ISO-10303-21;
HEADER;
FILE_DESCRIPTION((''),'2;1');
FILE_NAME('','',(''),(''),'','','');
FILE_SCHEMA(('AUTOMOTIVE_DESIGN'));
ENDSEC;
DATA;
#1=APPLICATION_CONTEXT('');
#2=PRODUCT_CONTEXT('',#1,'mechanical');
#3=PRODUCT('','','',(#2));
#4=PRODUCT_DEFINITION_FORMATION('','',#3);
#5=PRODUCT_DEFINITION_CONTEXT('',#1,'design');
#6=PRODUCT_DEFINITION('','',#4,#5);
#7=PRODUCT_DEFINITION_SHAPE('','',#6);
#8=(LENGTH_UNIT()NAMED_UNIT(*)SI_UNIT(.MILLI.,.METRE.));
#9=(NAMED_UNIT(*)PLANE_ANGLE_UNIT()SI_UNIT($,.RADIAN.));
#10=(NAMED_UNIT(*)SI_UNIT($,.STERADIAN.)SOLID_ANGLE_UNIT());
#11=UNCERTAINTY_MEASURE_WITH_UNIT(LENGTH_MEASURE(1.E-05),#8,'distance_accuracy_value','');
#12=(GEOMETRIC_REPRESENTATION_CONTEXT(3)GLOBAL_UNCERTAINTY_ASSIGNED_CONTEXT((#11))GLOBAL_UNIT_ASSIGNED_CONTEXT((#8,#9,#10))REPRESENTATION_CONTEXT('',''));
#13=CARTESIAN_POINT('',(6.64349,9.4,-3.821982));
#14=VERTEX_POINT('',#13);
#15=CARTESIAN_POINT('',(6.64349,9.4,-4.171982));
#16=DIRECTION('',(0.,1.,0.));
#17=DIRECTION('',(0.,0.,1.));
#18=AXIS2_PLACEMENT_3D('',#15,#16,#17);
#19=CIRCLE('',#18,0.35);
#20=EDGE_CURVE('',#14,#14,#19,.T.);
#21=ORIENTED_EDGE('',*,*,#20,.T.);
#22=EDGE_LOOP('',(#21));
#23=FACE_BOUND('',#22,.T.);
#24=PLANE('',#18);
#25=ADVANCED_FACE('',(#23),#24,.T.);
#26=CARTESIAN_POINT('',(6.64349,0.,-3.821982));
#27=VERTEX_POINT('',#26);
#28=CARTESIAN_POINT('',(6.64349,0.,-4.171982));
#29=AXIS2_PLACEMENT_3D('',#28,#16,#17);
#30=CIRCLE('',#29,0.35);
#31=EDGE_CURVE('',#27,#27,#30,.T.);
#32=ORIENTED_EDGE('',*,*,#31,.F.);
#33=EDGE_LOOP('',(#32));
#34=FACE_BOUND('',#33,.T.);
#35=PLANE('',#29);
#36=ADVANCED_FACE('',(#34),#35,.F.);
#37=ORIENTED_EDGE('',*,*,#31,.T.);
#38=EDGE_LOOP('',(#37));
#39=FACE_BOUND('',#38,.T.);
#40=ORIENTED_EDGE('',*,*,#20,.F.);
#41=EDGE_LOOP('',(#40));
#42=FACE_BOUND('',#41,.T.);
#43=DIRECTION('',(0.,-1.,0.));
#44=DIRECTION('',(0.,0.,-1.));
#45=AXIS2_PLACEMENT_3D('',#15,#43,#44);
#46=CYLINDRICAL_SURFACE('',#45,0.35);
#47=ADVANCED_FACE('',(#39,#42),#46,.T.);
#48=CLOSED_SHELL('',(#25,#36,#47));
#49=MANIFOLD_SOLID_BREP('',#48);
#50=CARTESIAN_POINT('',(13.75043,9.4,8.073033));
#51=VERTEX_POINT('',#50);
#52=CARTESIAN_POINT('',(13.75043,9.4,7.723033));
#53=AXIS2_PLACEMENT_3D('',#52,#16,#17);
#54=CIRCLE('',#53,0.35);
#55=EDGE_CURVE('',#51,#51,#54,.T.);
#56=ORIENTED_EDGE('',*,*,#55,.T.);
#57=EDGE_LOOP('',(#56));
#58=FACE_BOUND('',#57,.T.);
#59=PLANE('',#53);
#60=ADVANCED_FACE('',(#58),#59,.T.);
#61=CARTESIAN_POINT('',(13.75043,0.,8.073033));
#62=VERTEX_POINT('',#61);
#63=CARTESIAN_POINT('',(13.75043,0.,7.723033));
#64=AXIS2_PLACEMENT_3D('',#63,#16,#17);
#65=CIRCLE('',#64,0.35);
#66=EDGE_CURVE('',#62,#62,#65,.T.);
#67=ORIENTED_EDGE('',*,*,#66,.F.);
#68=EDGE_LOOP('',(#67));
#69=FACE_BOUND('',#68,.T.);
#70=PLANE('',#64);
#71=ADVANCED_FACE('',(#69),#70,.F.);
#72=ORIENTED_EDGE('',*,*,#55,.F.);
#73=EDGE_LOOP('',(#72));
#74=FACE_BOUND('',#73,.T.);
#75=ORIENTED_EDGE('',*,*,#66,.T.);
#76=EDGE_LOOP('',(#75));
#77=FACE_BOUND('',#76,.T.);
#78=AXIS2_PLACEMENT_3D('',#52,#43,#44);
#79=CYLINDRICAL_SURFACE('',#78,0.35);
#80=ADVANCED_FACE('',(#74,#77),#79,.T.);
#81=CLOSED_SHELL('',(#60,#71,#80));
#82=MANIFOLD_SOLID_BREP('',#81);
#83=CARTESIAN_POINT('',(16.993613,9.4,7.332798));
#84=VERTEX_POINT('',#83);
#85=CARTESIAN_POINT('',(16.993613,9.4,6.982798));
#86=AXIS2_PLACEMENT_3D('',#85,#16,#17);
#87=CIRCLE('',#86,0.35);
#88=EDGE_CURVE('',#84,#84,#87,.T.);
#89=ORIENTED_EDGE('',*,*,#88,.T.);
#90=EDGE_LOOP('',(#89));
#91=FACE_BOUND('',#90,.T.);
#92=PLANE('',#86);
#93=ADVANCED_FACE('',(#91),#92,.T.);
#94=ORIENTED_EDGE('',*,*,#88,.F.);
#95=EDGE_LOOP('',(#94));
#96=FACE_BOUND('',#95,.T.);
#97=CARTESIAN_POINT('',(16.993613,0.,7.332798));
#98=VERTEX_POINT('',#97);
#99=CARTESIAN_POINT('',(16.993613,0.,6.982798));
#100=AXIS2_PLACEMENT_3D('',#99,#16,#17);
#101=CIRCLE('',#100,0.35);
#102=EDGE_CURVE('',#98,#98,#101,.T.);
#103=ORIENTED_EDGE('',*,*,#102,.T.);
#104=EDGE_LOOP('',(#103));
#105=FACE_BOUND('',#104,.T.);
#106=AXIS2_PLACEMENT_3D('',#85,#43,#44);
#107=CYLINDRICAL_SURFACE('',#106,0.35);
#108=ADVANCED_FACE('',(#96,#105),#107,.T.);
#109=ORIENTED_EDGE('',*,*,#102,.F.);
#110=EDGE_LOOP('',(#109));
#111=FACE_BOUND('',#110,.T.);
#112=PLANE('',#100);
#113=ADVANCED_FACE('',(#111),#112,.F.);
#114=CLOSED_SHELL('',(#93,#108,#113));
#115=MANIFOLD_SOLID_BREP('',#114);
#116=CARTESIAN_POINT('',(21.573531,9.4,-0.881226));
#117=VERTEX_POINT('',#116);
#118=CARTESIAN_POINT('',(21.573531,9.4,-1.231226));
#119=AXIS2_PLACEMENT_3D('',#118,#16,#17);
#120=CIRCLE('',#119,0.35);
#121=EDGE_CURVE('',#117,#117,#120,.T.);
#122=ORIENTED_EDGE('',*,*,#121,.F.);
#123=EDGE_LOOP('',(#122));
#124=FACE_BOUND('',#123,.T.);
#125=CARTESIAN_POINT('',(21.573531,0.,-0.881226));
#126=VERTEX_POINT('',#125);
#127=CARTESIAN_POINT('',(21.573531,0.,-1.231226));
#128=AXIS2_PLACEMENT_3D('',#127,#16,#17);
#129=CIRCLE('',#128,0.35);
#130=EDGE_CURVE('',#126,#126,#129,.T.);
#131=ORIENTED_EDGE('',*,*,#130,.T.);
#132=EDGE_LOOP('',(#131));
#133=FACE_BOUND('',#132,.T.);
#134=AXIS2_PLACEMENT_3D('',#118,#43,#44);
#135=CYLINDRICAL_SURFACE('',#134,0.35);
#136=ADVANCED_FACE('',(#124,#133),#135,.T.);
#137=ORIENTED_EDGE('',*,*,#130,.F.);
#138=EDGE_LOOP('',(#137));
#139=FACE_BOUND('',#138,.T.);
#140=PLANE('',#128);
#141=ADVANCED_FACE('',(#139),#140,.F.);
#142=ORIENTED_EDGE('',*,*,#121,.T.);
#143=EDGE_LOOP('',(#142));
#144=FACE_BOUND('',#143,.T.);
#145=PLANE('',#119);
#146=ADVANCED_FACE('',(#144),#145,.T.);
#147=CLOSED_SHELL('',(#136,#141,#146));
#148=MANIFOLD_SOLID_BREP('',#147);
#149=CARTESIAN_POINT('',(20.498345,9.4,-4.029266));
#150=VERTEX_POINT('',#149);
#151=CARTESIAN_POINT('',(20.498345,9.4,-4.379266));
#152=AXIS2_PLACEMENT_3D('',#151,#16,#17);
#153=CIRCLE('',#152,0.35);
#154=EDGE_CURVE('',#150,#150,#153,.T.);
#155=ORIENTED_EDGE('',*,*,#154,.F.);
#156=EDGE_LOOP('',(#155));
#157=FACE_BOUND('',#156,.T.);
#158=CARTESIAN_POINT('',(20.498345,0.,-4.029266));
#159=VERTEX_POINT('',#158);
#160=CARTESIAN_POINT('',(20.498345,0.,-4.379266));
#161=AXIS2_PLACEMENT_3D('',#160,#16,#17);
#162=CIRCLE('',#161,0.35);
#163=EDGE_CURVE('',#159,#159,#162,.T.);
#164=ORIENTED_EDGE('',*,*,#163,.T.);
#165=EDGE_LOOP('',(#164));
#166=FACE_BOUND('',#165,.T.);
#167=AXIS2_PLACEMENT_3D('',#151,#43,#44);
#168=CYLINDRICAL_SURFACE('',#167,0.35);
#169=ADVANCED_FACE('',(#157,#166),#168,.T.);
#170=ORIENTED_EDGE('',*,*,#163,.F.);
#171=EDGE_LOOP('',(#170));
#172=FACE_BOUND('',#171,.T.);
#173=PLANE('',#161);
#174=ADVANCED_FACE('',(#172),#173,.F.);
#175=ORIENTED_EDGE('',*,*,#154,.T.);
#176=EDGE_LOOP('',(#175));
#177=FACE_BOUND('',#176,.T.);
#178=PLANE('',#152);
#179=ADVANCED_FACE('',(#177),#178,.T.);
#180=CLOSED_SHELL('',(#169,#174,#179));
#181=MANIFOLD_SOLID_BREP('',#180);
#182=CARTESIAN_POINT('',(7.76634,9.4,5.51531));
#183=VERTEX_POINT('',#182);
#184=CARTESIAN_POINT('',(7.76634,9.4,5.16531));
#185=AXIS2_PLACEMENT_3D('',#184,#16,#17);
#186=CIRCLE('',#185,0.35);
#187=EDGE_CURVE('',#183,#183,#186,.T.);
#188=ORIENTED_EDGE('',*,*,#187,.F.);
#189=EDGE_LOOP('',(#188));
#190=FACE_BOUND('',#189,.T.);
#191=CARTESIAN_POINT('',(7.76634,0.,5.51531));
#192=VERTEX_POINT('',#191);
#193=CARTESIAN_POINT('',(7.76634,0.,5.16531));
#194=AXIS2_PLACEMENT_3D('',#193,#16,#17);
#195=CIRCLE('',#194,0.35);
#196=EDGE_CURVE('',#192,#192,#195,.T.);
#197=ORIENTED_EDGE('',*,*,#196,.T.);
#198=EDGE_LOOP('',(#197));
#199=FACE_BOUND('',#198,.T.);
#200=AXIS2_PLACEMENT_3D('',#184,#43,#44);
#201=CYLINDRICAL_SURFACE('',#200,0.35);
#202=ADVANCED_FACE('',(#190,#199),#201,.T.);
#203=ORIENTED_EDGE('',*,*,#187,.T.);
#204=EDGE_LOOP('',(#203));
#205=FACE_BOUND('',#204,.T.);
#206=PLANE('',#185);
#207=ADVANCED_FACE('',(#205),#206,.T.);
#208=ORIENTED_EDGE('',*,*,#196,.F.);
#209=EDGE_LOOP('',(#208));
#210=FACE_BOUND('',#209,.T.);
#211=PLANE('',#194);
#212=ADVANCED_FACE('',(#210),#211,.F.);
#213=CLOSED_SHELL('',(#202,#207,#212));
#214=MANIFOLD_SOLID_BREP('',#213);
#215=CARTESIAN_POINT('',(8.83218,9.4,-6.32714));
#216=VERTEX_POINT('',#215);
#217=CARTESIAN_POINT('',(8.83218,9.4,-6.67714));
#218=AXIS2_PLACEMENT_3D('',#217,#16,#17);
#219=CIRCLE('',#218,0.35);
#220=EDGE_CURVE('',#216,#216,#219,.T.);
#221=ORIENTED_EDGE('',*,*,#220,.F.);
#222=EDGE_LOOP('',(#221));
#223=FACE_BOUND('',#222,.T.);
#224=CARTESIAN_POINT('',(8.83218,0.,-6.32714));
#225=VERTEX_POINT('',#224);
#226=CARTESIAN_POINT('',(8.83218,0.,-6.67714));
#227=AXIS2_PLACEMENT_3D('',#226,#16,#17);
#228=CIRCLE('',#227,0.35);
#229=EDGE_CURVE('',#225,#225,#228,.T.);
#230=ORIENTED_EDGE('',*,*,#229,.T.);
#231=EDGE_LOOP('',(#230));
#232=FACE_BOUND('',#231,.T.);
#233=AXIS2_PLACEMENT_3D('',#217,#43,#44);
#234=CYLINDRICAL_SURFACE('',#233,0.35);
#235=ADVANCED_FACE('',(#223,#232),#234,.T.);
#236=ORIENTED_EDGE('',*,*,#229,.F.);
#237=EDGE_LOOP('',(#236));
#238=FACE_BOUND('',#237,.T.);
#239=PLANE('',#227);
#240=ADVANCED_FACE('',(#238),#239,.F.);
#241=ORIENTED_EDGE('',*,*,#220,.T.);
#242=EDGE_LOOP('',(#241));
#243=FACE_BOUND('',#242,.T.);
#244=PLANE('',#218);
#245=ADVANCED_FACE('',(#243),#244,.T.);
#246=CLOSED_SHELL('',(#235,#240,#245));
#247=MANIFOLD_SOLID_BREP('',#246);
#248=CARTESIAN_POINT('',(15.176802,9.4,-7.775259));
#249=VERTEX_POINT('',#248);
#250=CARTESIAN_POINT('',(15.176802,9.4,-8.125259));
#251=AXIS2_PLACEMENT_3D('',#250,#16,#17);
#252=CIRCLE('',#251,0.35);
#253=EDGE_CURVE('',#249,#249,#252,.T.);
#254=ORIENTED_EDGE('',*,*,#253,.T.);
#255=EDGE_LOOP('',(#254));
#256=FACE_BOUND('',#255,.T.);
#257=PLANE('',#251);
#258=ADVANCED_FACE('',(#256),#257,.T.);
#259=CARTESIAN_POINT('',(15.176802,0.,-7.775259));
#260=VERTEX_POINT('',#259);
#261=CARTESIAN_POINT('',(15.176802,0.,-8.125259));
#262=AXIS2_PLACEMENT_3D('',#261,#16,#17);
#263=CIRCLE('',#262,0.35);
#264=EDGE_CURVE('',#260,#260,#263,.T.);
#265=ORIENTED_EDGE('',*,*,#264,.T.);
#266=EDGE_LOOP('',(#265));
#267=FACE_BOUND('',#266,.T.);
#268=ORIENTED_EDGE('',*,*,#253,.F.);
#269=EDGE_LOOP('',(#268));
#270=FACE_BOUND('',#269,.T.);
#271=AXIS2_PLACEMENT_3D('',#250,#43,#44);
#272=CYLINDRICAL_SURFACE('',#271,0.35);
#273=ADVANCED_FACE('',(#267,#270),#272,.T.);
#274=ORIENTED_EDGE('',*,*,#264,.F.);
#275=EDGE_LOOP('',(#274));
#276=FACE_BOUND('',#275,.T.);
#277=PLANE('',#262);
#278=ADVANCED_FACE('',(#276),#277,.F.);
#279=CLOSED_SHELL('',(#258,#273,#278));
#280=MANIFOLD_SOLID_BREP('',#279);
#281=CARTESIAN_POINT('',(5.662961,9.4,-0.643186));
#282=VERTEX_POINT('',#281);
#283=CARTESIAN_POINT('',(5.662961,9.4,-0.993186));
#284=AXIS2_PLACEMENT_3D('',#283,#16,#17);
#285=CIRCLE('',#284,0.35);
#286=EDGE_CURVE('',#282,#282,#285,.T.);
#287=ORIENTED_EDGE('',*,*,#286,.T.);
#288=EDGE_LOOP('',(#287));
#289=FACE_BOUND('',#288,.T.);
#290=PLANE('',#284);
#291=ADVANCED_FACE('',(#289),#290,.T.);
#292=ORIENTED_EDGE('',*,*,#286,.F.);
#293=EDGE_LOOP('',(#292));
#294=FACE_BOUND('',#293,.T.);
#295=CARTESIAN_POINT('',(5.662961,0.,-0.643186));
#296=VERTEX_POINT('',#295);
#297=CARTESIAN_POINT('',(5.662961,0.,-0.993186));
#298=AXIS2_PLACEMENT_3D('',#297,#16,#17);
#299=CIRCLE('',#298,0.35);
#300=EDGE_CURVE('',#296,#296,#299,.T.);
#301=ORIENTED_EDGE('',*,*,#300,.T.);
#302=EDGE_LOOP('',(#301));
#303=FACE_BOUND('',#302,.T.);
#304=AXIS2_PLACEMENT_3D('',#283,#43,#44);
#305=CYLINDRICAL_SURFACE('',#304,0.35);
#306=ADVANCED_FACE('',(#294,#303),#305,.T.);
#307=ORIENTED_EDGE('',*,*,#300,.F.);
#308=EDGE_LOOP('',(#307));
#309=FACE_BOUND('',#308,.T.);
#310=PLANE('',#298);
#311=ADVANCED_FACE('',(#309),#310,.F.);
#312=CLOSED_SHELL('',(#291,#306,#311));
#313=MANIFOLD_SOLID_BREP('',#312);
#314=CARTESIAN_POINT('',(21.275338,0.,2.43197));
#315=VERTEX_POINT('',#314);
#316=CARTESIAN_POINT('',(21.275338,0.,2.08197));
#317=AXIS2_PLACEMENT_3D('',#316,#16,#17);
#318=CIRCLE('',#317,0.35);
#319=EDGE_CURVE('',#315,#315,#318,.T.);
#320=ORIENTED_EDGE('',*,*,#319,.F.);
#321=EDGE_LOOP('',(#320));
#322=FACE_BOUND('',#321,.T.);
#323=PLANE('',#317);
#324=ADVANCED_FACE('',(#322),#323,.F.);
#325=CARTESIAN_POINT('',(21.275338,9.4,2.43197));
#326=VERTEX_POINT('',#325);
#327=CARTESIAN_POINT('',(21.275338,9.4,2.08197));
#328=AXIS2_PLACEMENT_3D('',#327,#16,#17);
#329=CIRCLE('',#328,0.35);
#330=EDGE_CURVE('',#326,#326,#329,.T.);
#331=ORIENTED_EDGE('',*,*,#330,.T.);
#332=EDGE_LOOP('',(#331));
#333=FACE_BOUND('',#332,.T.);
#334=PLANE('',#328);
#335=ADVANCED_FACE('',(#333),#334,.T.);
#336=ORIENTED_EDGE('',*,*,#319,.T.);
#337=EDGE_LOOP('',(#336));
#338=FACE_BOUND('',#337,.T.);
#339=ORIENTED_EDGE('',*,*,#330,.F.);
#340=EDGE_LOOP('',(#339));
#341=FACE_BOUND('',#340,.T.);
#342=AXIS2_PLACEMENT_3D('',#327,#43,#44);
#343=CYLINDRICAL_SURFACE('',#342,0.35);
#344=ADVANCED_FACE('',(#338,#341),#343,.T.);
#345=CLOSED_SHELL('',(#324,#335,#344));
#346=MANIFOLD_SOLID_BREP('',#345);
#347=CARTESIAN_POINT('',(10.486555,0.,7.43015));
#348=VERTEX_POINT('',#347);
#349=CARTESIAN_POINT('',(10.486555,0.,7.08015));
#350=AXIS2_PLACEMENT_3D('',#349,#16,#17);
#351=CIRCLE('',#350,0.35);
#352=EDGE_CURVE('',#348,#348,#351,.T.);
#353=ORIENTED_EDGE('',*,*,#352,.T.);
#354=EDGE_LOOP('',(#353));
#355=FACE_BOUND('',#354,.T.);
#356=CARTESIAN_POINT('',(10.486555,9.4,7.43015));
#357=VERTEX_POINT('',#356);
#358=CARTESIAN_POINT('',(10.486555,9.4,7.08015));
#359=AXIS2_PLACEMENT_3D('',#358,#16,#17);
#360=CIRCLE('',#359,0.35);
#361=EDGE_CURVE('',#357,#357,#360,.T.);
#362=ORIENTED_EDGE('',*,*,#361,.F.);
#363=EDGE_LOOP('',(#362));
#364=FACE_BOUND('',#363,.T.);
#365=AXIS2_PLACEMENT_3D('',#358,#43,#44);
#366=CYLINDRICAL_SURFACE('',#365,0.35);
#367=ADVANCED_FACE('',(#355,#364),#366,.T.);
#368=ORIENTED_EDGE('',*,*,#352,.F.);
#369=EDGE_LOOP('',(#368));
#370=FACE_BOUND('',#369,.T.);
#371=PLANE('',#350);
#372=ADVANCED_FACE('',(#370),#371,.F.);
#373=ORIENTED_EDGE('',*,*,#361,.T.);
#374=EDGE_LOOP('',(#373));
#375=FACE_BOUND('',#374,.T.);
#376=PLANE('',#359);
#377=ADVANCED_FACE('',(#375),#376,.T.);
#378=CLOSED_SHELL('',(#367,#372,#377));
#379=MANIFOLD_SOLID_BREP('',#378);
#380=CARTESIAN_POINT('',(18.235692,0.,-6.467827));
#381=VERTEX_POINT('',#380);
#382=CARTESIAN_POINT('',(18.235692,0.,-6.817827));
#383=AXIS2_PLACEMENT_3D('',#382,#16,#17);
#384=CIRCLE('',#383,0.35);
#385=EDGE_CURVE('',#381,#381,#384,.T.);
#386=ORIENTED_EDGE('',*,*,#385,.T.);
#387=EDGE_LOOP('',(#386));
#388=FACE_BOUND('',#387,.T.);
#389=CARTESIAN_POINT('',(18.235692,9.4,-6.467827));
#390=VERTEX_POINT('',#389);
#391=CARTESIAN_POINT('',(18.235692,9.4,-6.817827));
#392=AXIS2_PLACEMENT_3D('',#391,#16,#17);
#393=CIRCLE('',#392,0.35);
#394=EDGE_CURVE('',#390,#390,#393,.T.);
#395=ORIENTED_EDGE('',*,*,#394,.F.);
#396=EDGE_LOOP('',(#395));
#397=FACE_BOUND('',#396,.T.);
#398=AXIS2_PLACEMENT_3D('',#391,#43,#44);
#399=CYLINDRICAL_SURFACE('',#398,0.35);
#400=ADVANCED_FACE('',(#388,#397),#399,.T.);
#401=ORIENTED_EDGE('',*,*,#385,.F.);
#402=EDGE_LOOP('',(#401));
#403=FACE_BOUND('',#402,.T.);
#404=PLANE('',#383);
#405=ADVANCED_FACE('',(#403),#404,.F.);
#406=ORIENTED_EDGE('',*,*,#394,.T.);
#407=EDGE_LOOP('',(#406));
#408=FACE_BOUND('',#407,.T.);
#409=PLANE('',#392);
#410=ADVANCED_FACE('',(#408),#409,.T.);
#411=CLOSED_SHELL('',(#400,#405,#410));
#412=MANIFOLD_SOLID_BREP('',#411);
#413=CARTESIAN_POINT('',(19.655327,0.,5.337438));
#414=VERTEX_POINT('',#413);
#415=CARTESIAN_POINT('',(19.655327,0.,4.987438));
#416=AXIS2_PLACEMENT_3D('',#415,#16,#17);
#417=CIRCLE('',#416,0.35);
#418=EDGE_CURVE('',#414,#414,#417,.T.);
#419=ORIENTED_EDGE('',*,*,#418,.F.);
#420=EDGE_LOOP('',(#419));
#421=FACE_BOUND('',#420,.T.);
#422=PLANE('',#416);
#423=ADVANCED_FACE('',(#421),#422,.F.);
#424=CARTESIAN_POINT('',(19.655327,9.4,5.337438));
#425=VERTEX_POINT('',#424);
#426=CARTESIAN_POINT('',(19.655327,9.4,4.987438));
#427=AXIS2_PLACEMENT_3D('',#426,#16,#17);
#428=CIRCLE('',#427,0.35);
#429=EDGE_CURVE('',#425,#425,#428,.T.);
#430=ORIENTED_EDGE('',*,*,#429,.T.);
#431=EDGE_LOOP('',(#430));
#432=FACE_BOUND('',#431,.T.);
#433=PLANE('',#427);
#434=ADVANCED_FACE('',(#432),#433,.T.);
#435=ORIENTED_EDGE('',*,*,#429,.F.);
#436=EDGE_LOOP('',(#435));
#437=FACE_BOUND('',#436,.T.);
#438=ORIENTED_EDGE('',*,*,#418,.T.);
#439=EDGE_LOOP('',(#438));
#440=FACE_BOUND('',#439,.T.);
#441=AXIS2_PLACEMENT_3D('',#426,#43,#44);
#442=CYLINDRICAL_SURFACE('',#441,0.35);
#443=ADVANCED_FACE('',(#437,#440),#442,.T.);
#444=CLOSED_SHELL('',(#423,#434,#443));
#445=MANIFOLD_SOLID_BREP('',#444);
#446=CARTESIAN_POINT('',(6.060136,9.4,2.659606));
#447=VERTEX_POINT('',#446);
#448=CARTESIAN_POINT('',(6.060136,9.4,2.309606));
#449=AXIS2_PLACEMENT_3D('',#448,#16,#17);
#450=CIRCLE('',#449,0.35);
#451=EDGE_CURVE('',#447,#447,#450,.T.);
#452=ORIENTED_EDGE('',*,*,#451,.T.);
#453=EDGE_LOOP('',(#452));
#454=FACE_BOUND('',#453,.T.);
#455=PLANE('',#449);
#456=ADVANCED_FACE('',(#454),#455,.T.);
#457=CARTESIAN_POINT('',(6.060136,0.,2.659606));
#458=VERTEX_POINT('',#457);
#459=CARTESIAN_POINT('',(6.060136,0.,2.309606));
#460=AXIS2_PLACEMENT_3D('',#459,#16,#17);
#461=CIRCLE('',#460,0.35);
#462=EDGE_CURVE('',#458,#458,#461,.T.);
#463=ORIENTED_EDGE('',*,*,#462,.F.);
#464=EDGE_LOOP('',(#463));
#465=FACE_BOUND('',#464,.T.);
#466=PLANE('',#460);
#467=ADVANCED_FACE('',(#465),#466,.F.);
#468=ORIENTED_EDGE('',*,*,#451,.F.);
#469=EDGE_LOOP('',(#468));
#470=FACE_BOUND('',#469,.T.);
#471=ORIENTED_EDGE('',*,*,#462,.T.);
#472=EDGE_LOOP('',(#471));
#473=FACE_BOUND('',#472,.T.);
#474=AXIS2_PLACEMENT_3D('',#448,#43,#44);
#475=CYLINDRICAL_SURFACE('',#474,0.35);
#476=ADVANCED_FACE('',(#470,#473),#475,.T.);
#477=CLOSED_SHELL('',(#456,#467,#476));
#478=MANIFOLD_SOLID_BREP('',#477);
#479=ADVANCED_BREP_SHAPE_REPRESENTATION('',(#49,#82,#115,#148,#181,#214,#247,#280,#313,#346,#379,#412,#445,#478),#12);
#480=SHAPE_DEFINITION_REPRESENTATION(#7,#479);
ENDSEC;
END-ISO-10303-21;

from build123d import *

# Parameters (mm, degrees)
SKETCH1_R              = 0.35
BOSS_EXTRUDE1_DEPTH    = 9.4
BOSS_EXTRUDE1_2_DEPTH  = 9.4
BOSS_EXTRUDE1_3_DEPTH  = 9.4
BOSS_EXTRUDE1_4_DEPTH  = 9.4
BOSS_EXTRUDE1_5_DEPTH  = 9.4
BOSS_EXTRUDE1_6_DEPTH  = 9.4
BOSS_EXTRUDE1_7_DEPTH  = 9.4
BOSS_EXTRUDE1_8_DEPTH  = 9.4
BOSS_EXTRUDE1_9_DEPTH  = 9.4
BOSS_EXTRUDE1_10_DEPTH = 9.4
BOSS_EXTRUDE1_11_DEPTH = 9.4
BOSS_EXTRUDE1_12_DEPTH = 9.4
BOSS_EXTRUDE1_13_DEPTH = 9.4
BOSS_EXTRUDE1_14_DEPTH = 9.4


with BuildPart() as part:
    # Sketch1 → Boss-Extrude1 (new body)
    with BuildSketch(Plane(origin=(0, 0, 0), x_dir=(1, 0, 0), z_dir=(0, 1, 0))):
        with Locations(Location((15.176802475, 8.12525881, 0), (0, 0, 270))):
            Circle(SKETCH1_R)
    extrude(amount=BOSS_EXTRUDE1_DEPTH)


with BuildPart() as body_2:
    # Sketch1 → Boss-Extrude1 2 (new body)
    with BuildSketch(Plane(origin=(0, 0, 0), x_dir=(1, 0, 0), z_dir=(0, 1, 0))):
        with Locations(Location((18.235691658, 6.817826829, 0), (0, 0, 270))):
            Circle(SKETCH1_R)
    extrude(amount=BOSS_EXTRUDE1_2_DEPTH)


with BuildPart() as body_3:
    # Sketch1 → Boss-Extrude1 3 (new body)
    with BuildSketch(Plane(origin=(0, 0, 0), x_dir=(1, 0, 0), z_dir=(0, 1, 0))):
        with Locations(Location((20.498345482, 4.379265963, 0), (0, 0, 270))):
            Circle(SKETCH1_R)
    extrude(amount=BOSS_EXTRUDE1_3_DEPTH)


with BuildPart() as body_4:
    # Sketch1 → Boss-Extrude1 4 (new body)
    with BuildSketch(Plane(origin=(0, 0, 0), x_dir=(1, 0, 0), z_dir=(0, 1, 0))):
        with Locations(Location((21.573530543, 1.23122554, 0), (0, 0, 270))):
            Circle(SKETCH1_R)
    extrude(amount=BOSS_EXTRUDE1_4_DEPTH)


with BuildPart() as body_5:
    # Sketch1 → Boss-Extrude1 5 (new body)
    with BuildSketch(Plane(origin=(0, 0, 0), x_dir=(1, 0, 0), z_dir=(0, 1, 0))):
        with Locations(Location((21.275337579, -2.081969652, 0), (0, 0, 270))):
            Circle(SKETCH1_R)
    extrude(amount=BOSS_EXTRUDE1_5_DEPTH)


with BuildPart() as body_6:
    # Sketch1 → Boss-Extrude1 6 (new body)
    with BuildSketch(Plane(origin=(0, 0, 0), x_dir=(1, 0, 0), z_dir=(0, 1, 0))):
        with Locations(Location((19.655326861, -4.987438064, 0), (0, 0, 270))):
            Circle(SKETCH1_R)
    extrude(amount=BOSS_EXTRUDE1_6_DEPTH)


with BuildPart() as body_7:
    # Sketch1 → Boss-Extrude1 7 (new body)
    with BuildSketch(Plane(origin=(0, 0, 0), x_dir=(1, 0, 0), z_dir=(0, 1, 0))):
        with Locations(Location((16.993612959, -6.982797813, 0), (0, 0, 270))):
            Circle(SKETCH1_R)
    extrude(amount=BOSS_EXTRUDE1_7_DEPTH)


with BuildPart() as body_8:
    # Sketch1 → Boss-Extrude1 8 (new body)
    with BuildSketch(Plane(origin=(0, 0, 0), x_dir=(1, 0, 0), z_dir=(0, 1, 0))):
        with Locations(Location((13.750430389, -7.723033071, 0), (0, 0, 270))):
            Circle(SKETCH1_R)
    extrude(amount=BOSS_EXTRUDE1_8_DEPTH)


with BuildPart() as body_9:
    # Sketch1 → Boss-Extrude1 9 (new body)
    with BuildSketch(Plane(origin=(0, 0, 0), x_dir=(1, 0, 0), z_dir=(0, 1, 0))):
        with Locations(Location((10.48655488, -7.080150437, 0), (0, 0, 270))):
            Circle(SKETCH1_R)
    extrude(amount=BOSS_EXTRUDE1_9_DEPTH)


with BuildPart() as body_10:
    # Sketch1 → Boss-Extrude1 10 (new body)
    with BuildSketch(Plane(origin=(0, 0, 0), x_dir=(1, 0, 0), z_dir=(0, 1, 0))):
        with Locations(Location((7.766340158, -5.165310159, 0), (0, 0, 270))):
            Circle(SKETCH1_R)
    extrude(amount=BOSS_EXTRUDE1_10_DEPTH)


with BuildPart() as body_11:
    # Sketch1 → Boss-Extrude1 11 (new body)
    with BuildSketch(Plane(origin=(0, 0, 0), x_dir=(1, 0, 0), z_dir=(0, 1, 0))):
        with Locations(Location((6.060136062, -2.309605516, 0), (0, 0, 270))):
            Circle(SKETCH1_R)
    extrude(amount=BOSS_EXTRUDE1_11_DEPTH)


with BuildPart() as body_12:
    # Sketch1 → Boss-Extrude1 12 (new body)
    with BuildSketch(Plane(origin=(0, 0, 0), x_dir=(1, 0, 0), z_dir=(0, 1, 0))):
        with Locations(Location((5.662960781, 0.993186215, 0), (0, 0, 270))):
            Circle(SKETCH1_R)
    extrude(amount=BOSS_EXTRUDE1_12_DEPTH)


with BuildPart() as body_13:
    # Sketch1 → Boss-Extrude1 13 (new body)
    with BuildSketch(Plane(origin=(0, 0, 0), x_dir=(1, 0, 0), z_dir=(0, 1, 0))):
        with Locations(Location((6.643489528, 4.171982339, 0), (0, 0, 270))):
            Circle(SKETCH1_R)
    extrude(amount=BOSS_EXTRUDE1_13_DEPTH)


with BuildPart() as body_14:
    # Sketch1 → Boss-Extrude1 14 (new body)
    with BuildSketch(Plane(origin=(0, 0, 0), x_dir=(1, 0, 0), z_dir=(0, 1, 0))):
        with Locations(Location((8.832179975, 6.677140127, 0), (0, 0, 270))):
            Circle(SKETCH1_R)
    extrude(amount=BOSS_EXTRUDE1_14_DEPTH)


solid = Compound([part.part, body_2.part, body_3.part, body_4.part, body_5.part, body_6.part, body_7.part, body_8.part, body_9.part, body_10.part, body_11.part, body_12.part, body_13.part, body_14.part])
